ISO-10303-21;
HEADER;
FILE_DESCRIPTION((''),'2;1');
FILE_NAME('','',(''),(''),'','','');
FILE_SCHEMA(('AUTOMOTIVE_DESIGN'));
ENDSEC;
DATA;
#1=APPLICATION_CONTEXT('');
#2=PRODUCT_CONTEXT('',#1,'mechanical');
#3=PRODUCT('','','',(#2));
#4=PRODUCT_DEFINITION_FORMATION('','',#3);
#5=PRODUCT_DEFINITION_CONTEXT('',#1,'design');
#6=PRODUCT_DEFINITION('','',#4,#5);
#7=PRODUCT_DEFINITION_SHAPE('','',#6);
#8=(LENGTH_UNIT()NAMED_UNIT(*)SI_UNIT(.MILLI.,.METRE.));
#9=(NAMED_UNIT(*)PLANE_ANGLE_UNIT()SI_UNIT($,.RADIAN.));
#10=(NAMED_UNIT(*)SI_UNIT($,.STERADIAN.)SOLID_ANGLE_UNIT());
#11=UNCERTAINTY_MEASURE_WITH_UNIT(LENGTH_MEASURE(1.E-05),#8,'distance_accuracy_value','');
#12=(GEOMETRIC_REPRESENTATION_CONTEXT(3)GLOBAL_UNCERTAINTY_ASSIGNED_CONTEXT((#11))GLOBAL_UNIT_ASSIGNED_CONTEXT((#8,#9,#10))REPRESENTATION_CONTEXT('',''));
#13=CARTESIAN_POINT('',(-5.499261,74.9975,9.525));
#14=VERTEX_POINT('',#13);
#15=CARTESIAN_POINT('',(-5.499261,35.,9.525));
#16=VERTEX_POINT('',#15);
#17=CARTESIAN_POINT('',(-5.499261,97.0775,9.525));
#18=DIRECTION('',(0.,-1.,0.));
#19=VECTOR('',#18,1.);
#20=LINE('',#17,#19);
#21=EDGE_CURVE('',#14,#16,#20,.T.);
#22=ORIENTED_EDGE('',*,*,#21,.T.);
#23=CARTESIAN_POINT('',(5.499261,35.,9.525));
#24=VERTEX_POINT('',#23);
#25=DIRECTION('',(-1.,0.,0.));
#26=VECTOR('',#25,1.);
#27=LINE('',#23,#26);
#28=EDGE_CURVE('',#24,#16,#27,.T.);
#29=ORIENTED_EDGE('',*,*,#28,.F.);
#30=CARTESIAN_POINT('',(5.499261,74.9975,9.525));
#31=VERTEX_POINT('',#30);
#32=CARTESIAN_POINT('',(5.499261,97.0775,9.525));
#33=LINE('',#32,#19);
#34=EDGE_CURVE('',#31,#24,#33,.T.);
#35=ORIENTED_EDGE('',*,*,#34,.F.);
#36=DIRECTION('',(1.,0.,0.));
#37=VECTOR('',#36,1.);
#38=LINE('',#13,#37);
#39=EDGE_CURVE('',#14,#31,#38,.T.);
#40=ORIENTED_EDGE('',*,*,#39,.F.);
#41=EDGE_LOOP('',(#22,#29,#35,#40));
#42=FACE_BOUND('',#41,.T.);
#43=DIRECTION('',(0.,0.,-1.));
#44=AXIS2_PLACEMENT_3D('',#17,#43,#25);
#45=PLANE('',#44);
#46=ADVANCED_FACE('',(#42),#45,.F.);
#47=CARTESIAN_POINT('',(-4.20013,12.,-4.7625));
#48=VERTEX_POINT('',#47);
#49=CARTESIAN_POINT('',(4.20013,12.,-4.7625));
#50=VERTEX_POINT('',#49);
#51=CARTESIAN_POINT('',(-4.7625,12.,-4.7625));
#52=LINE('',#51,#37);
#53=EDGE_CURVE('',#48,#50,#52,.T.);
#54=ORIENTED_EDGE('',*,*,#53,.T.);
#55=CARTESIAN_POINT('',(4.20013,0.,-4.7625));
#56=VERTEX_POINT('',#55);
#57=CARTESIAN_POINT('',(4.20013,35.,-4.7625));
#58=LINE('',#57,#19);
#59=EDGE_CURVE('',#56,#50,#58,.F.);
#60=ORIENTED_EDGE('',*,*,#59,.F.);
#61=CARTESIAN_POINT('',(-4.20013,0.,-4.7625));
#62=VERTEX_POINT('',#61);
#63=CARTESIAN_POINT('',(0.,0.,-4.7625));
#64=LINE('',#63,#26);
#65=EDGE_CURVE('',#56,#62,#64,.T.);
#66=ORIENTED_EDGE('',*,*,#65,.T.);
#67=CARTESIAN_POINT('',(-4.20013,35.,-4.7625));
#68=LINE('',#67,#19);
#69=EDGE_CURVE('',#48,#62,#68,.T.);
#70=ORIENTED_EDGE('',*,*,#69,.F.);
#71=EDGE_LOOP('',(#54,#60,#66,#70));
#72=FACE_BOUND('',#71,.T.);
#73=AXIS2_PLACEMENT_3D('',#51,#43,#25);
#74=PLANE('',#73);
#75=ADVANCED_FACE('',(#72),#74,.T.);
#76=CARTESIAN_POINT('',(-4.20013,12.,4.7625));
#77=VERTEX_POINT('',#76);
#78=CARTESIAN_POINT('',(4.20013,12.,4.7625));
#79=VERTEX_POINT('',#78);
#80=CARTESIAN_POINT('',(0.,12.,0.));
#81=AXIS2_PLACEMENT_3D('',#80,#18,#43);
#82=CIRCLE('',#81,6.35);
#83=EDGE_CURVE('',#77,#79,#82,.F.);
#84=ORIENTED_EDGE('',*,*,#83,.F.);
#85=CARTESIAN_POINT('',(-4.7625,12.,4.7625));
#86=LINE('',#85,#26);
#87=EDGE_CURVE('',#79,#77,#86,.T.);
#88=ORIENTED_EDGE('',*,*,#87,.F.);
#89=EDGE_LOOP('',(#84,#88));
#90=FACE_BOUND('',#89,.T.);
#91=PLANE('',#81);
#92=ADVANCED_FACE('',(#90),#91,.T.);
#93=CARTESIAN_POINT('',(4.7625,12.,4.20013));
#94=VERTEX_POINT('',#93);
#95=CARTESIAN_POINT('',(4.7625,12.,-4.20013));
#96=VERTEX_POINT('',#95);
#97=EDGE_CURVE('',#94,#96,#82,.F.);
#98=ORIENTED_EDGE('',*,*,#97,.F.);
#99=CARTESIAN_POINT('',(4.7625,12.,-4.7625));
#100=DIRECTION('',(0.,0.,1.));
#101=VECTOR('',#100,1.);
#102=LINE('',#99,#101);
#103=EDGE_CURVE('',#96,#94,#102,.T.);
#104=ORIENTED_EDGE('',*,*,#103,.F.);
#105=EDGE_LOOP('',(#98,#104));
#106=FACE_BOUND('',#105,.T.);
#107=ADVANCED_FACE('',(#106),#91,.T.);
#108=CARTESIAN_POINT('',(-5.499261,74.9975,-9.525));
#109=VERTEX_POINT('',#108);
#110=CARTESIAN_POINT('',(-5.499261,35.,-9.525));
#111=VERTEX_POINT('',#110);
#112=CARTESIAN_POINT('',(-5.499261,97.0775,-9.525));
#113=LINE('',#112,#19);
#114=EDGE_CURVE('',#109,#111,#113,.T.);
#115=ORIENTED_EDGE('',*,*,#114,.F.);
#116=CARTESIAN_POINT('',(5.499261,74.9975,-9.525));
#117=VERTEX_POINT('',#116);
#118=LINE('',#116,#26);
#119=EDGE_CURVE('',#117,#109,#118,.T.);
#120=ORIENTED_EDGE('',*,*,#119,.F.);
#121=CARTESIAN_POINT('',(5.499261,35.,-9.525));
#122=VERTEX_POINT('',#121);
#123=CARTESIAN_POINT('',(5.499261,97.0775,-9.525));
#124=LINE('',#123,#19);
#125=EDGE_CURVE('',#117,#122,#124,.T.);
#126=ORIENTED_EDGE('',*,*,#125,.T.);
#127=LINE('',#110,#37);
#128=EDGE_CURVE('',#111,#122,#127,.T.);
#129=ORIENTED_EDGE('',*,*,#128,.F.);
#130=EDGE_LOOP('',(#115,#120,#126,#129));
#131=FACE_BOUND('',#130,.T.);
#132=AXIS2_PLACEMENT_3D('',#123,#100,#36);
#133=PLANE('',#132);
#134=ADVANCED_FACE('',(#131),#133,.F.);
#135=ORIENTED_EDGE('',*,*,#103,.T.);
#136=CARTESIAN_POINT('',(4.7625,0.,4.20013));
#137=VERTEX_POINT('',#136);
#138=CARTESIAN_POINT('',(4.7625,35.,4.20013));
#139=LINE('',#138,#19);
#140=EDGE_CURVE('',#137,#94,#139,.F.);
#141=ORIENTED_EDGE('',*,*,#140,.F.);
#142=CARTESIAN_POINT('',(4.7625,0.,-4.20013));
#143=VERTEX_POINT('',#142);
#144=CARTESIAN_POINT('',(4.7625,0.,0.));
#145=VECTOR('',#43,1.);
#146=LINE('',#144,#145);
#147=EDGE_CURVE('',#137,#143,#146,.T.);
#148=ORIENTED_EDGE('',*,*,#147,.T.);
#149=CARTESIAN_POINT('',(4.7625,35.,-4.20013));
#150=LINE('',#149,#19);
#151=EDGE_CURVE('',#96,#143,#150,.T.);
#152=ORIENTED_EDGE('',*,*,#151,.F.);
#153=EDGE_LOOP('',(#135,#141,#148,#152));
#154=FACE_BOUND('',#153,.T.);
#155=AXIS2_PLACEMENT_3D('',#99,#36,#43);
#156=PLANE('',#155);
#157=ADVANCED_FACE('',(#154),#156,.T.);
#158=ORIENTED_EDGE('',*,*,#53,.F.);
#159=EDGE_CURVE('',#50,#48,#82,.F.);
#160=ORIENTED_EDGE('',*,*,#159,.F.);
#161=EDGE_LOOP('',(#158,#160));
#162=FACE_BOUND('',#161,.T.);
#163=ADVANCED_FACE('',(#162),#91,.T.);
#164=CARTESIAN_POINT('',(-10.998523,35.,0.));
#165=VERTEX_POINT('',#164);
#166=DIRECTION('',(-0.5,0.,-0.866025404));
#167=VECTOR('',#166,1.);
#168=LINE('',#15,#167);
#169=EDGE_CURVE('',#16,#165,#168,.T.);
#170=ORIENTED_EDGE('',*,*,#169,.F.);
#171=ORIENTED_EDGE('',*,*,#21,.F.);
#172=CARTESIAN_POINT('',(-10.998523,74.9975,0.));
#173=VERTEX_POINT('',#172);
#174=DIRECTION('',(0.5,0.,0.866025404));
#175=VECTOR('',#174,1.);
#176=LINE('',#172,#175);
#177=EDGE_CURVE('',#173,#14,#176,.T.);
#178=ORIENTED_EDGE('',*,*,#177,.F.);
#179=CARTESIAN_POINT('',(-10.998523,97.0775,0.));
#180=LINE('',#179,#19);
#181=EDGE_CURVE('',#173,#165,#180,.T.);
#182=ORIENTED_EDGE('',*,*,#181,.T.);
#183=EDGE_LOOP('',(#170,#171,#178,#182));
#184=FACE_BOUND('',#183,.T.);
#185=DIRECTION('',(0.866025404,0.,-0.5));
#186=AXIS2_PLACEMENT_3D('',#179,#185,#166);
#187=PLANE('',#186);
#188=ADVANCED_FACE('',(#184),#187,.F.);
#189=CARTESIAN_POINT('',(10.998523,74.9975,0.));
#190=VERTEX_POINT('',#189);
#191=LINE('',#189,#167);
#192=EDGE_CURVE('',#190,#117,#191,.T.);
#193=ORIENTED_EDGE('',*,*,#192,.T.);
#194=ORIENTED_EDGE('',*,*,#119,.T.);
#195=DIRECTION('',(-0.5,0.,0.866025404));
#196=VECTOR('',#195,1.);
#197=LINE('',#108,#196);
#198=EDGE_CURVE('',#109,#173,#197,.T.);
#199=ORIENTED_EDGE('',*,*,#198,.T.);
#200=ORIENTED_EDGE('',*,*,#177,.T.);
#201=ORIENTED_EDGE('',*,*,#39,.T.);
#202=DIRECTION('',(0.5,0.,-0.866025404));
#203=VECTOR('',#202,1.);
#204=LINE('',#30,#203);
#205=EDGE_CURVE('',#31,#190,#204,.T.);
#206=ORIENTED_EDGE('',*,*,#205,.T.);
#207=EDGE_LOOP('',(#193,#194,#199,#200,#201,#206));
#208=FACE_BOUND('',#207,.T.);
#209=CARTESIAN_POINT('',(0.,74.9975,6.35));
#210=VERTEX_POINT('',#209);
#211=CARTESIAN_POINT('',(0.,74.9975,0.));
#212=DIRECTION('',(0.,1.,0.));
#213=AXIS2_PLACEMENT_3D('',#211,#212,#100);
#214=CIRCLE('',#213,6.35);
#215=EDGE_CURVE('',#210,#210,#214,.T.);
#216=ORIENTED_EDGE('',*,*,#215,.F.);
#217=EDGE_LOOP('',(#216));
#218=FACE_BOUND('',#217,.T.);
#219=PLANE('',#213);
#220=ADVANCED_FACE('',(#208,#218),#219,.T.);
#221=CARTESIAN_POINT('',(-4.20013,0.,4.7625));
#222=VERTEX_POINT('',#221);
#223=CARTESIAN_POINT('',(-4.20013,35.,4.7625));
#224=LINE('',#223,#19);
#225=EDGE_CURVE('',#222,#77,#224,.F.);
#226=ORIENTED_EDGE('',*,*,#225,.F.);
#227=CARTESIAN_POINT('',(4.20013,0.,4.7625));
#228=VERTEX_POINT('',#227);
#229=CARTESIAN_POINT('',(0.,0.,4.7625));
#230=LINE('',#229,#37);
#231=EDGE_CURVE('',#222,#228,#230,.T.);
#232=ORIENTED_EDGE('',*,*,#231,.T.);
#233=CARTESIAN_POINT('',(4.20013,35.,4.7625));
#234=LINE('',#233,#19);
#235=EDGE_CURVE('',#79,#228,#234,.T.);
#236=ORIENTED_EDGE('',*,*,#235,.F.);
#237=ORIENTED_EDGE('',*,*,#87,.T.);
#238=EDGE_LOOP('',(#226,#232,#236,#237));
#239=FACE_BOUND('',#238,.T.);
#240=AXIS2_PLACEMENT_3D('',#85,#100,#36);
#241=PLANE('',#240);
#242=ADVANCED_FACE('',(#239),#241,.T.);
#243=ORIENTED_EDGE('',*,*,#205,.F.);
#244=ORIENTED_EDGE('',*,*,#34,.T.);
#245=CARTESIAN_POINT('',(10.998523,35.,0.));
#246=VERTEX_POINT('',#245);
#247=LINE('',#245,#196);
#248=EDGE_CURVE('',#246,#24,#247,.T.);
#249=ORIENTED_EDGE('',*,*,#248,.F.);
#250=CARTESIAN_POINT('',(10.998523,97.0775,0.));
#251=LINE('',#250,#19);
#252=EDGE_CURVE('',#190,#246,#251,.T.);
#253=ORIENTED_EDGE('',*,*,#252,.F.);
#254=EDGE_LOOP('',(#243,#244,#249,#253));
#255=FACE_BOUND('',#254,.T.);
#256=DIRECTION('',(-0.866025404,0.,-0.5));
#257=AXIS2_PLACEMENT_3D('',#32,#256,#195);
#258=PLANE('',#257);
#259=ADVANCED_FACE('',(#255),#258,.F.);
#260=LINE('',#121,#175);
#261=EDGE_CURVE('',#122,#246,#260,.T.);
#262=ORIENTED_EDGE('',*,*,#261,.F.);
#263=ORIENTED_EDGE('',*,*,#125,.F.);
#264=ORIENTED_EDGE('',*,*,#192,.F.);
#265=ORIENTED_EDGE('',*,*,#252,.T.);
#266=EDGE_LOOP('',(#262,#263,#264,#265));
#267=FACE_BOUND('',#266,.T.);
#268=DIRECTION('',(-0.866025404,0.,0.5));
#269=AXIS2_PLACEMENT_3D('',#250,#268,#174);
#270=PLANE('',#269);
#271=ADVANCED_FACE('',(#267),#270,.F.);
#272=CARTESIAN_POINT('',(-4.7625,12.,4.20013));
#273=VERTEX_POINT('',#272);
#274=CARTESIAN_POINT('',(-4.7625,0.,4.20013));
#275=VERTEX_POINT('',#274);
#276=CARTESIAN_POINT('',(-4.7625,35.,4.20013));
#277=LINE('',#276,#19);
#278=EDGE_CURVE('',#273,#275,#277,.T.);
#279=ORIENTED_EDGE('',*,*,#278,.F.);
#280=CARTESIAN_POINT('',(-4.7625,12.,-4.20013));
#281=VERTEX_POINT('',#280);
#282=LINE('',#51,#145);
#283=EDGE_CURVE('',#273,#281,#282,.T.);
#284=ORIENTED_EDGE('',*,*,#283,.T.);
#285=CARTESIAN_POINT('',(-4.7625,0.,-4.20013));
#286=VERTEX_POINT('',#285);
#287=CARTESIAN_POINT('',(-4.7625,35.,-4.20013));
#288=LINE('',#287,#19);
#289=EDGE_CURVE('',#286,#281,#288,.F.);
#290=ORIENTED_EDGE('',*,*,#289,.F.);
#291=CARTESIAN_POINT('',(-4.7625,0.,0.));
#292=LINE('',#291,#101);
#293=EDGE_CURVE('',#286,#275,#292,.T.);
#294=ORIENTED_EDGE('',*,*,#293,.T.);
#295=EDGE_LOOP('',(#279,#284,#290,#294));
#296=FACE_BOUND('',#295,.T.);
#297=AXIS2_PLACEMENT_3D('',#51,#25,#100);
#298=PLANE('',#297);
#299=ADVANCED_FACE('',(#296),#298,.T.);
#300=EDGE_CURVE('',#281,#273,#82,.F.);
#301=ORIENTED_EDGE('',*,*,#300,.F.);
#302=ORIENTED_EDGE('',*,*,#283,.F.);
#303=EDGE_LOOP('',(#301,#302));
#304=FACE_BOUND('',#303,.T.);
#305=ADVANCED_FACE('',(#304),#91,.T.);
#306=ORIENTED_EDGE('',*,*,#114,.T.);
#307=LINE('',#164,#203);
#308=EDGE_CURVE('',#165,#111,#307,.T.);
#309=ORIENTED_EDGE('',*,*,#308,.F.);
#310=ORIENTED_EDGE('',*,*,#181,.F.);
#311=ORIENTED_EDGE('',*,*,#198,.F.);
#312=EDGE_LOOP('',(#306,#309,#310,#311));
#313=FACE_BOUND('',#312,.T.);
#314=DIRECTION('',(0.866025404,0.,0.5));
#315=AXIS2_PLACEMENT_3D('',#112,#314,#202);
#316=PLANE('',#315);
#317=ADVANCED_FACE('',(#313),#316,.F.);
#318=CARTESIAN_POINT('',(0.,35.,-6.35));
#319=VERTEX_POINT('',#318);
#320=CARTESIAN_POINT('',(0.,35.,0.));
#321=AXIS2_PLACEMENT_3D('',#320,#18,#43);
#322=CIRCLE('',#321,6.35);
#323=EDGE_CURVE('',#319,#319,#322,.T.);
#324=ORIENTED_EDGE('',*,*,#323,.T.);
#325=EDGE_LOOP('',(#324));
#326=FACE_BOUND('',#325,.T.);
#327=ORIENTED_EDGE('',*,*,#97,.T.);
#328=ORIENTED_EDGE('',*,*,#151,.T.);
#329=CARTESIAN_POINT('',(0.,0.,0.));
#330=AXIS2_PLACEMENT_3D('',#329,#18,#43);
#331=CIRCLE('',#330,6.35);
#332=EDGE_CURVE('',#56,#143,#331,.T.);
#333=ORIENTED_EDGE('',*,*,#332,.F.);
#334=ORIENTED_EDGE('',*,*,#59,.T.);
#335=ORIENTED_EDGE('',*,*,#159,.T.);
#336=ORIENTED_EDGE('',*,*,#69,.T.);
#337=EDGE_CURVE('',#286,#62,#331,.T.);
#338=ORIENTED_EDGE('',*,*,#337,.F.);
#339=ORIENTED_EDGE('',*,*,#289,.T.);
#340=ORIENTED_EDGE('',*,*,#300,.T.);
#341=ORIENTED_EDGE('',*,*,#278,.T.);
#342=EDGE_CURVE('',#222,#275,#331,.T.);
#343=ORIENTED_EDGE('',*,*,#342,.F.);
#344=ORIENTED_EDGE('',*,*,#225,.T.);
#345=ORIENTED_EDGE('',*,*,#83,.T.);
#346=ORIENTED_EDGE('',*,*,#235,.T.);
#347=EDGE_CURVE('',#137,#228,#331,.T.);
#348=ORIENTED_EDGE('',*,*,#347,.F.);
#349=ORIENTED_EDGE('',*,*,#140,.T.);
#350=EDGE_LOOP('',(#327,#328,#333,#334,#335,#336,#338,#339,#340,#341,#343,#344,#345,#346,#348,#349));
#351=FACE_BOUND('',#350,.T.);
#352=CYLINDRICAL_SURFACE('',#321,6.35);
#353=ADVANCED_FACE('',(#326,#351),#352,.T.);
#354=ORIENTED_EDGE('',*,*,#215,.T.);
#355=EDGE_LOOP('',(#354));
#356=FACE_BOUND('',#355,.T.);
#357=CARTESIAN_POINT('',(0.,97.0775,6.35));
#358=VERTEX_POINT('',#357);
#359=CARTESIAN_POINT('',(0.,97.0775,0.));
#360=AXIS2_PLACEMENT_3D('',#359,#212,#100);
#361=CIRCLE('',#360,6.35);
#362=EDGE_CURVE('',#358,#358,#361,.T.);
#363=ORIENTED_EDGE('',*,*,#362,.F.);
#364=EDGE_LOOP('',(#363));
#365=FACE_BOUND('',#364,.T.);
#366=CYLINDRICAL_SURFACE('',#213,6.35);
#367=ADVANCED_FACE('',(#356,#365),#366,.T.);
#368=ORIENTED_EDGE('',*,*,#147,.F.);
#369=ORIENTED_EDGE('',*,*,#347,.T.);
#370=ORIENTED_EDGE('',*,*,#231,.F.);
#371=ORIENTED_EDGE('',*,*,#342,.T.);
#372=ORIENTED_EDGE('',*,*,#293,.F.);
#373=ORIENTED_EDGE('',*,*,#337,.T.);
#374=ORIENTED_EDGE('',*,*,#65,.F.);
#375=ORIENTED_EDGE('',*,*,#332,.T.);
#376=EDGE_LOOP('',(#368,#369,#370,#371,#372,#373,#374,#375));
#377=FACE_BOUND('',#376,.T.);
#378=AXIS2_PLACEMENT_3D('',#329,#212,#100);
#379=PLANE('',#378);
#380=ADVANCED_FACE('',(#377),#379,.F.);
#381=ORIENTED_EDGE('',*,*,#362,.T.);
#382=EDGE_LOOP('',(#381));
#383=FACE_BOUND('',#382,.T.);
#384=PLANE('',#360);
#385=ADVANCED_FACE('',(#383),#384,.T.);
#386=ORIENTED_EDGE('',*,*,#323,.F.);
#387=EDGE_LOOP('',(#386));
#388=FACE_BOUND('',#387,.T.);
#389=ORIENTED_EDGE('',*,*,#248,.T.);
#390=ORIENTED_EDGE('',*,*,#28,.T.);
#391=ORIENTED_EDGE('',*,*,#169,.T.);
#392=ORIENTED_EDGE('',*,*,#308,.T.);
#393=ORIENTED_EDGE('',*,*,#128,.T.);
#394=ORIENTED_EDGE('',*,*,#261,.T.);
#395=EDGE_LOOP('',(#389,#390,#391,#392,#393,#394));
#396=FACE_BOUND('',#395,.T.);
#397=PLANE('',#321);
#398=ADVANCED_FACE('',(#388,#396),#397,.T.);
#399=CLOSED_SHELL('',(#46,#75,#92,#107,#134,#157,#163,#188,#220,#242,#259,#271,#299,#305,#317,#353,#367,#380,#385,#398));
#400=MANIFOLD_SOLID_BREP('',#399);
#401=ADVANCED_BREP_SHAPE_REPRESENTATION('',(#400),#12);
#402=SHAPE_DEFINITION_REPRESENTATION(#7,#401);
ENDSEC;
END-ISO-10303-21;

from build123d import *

# Parameters (mm, degrees)
BOSS_EXTRUDE1_DEPTH = 97.0775
SKETCH2_R           = 6.35
CUT_EXTRUDE1_DEPTH  = 22.08
CUT_EXTRUDE2_START  = -35
SKETCH3_R           = 6.35
CUT_EXTRUDE2_DEPTH  = 35
SKETCH4_W           = 9.525
SKETCH4_H           = 9.525
CUT_EXTRUDE3_DEPTH  = 12


with BuildPart() as part:
    # Sketch1 → Boss-Extrude1 (new body)
    with BuildSketch(Plane(origin=(0, 0, 0), x_dir=(1, 0, 0), z_dir=(0, 1, 0))):
        Polygon((5.499261314, 9.525), (-5.499261314, 9.525), (-10.998522628, 0), (-5.499261314, -9.525), (5.499261314, -9.525), (10.998522628, 0), align=None)
    extrude(amount=BOSS_EXTRUDE1_DEPTH)

    # Sketch2 → Cut-Extrude1 (cut)
    with BuildSketch(Plane(origin=(0, 97.0775, 0), x_dir=(1, 0, 0), z_dir=(0, 1, 0))):
        Polygon((10.998522628, 0), (5.499261314, 9.525), (-5.499261314, 9.525), (-10.998522628, 0), (-5.499261314, -9.525), (5.499261314, -9.525), align=None)
        with Locations(Location((0, 0, 0), (0, 0, 270))):
            Circle(SKETCH2_R, mode=Mode.SUBTRACT)
    extrude(amount=-CUT_EXTRUDE1_DEPTH, mode=Mode.SUBTRACT)

    # Sketch3 → Cut-Extrude2 (cut)
    with BuildSketch(Plane.XZ.offset(CUT_EXTRUDE2_START)):
        Polygon((5.499261314, -9.525), (10.998522628, 0), (5.499261314, 9.525), (-5.499261314, 9.525), (-10.998522628, 0), (-5.499261314, -9.525), align=None)
        with Locations(Location((0, 0, 0), (0, 0, 90))):
            Circle(SKETCH3_R, mode=Mode.SUBTRACT)
    extrude(amount=CUT_EXTRUDE2_DEPTH, mode=Mode.SUBTRACT)

    # Sketch4 → Cut-Extrude3 (cut)
    with BuildSketch(Plane.XZ):
        Polygon((-5.499261314, -9.525), (5.499261314, -9.525), (10.998522628, 0), (5.499261314, 9.525), (-5.499261314, 9.525), (-10.998522628, 0), align=None)
        Rectangle(SKETCH4_W, SKETCH4_H, mode=Mode.SUBTRACT)
    extrude(amount=-CUT_EXTRUDE3_DEPTH, mode=Mode.SUBTRACT)


solid = part.part
